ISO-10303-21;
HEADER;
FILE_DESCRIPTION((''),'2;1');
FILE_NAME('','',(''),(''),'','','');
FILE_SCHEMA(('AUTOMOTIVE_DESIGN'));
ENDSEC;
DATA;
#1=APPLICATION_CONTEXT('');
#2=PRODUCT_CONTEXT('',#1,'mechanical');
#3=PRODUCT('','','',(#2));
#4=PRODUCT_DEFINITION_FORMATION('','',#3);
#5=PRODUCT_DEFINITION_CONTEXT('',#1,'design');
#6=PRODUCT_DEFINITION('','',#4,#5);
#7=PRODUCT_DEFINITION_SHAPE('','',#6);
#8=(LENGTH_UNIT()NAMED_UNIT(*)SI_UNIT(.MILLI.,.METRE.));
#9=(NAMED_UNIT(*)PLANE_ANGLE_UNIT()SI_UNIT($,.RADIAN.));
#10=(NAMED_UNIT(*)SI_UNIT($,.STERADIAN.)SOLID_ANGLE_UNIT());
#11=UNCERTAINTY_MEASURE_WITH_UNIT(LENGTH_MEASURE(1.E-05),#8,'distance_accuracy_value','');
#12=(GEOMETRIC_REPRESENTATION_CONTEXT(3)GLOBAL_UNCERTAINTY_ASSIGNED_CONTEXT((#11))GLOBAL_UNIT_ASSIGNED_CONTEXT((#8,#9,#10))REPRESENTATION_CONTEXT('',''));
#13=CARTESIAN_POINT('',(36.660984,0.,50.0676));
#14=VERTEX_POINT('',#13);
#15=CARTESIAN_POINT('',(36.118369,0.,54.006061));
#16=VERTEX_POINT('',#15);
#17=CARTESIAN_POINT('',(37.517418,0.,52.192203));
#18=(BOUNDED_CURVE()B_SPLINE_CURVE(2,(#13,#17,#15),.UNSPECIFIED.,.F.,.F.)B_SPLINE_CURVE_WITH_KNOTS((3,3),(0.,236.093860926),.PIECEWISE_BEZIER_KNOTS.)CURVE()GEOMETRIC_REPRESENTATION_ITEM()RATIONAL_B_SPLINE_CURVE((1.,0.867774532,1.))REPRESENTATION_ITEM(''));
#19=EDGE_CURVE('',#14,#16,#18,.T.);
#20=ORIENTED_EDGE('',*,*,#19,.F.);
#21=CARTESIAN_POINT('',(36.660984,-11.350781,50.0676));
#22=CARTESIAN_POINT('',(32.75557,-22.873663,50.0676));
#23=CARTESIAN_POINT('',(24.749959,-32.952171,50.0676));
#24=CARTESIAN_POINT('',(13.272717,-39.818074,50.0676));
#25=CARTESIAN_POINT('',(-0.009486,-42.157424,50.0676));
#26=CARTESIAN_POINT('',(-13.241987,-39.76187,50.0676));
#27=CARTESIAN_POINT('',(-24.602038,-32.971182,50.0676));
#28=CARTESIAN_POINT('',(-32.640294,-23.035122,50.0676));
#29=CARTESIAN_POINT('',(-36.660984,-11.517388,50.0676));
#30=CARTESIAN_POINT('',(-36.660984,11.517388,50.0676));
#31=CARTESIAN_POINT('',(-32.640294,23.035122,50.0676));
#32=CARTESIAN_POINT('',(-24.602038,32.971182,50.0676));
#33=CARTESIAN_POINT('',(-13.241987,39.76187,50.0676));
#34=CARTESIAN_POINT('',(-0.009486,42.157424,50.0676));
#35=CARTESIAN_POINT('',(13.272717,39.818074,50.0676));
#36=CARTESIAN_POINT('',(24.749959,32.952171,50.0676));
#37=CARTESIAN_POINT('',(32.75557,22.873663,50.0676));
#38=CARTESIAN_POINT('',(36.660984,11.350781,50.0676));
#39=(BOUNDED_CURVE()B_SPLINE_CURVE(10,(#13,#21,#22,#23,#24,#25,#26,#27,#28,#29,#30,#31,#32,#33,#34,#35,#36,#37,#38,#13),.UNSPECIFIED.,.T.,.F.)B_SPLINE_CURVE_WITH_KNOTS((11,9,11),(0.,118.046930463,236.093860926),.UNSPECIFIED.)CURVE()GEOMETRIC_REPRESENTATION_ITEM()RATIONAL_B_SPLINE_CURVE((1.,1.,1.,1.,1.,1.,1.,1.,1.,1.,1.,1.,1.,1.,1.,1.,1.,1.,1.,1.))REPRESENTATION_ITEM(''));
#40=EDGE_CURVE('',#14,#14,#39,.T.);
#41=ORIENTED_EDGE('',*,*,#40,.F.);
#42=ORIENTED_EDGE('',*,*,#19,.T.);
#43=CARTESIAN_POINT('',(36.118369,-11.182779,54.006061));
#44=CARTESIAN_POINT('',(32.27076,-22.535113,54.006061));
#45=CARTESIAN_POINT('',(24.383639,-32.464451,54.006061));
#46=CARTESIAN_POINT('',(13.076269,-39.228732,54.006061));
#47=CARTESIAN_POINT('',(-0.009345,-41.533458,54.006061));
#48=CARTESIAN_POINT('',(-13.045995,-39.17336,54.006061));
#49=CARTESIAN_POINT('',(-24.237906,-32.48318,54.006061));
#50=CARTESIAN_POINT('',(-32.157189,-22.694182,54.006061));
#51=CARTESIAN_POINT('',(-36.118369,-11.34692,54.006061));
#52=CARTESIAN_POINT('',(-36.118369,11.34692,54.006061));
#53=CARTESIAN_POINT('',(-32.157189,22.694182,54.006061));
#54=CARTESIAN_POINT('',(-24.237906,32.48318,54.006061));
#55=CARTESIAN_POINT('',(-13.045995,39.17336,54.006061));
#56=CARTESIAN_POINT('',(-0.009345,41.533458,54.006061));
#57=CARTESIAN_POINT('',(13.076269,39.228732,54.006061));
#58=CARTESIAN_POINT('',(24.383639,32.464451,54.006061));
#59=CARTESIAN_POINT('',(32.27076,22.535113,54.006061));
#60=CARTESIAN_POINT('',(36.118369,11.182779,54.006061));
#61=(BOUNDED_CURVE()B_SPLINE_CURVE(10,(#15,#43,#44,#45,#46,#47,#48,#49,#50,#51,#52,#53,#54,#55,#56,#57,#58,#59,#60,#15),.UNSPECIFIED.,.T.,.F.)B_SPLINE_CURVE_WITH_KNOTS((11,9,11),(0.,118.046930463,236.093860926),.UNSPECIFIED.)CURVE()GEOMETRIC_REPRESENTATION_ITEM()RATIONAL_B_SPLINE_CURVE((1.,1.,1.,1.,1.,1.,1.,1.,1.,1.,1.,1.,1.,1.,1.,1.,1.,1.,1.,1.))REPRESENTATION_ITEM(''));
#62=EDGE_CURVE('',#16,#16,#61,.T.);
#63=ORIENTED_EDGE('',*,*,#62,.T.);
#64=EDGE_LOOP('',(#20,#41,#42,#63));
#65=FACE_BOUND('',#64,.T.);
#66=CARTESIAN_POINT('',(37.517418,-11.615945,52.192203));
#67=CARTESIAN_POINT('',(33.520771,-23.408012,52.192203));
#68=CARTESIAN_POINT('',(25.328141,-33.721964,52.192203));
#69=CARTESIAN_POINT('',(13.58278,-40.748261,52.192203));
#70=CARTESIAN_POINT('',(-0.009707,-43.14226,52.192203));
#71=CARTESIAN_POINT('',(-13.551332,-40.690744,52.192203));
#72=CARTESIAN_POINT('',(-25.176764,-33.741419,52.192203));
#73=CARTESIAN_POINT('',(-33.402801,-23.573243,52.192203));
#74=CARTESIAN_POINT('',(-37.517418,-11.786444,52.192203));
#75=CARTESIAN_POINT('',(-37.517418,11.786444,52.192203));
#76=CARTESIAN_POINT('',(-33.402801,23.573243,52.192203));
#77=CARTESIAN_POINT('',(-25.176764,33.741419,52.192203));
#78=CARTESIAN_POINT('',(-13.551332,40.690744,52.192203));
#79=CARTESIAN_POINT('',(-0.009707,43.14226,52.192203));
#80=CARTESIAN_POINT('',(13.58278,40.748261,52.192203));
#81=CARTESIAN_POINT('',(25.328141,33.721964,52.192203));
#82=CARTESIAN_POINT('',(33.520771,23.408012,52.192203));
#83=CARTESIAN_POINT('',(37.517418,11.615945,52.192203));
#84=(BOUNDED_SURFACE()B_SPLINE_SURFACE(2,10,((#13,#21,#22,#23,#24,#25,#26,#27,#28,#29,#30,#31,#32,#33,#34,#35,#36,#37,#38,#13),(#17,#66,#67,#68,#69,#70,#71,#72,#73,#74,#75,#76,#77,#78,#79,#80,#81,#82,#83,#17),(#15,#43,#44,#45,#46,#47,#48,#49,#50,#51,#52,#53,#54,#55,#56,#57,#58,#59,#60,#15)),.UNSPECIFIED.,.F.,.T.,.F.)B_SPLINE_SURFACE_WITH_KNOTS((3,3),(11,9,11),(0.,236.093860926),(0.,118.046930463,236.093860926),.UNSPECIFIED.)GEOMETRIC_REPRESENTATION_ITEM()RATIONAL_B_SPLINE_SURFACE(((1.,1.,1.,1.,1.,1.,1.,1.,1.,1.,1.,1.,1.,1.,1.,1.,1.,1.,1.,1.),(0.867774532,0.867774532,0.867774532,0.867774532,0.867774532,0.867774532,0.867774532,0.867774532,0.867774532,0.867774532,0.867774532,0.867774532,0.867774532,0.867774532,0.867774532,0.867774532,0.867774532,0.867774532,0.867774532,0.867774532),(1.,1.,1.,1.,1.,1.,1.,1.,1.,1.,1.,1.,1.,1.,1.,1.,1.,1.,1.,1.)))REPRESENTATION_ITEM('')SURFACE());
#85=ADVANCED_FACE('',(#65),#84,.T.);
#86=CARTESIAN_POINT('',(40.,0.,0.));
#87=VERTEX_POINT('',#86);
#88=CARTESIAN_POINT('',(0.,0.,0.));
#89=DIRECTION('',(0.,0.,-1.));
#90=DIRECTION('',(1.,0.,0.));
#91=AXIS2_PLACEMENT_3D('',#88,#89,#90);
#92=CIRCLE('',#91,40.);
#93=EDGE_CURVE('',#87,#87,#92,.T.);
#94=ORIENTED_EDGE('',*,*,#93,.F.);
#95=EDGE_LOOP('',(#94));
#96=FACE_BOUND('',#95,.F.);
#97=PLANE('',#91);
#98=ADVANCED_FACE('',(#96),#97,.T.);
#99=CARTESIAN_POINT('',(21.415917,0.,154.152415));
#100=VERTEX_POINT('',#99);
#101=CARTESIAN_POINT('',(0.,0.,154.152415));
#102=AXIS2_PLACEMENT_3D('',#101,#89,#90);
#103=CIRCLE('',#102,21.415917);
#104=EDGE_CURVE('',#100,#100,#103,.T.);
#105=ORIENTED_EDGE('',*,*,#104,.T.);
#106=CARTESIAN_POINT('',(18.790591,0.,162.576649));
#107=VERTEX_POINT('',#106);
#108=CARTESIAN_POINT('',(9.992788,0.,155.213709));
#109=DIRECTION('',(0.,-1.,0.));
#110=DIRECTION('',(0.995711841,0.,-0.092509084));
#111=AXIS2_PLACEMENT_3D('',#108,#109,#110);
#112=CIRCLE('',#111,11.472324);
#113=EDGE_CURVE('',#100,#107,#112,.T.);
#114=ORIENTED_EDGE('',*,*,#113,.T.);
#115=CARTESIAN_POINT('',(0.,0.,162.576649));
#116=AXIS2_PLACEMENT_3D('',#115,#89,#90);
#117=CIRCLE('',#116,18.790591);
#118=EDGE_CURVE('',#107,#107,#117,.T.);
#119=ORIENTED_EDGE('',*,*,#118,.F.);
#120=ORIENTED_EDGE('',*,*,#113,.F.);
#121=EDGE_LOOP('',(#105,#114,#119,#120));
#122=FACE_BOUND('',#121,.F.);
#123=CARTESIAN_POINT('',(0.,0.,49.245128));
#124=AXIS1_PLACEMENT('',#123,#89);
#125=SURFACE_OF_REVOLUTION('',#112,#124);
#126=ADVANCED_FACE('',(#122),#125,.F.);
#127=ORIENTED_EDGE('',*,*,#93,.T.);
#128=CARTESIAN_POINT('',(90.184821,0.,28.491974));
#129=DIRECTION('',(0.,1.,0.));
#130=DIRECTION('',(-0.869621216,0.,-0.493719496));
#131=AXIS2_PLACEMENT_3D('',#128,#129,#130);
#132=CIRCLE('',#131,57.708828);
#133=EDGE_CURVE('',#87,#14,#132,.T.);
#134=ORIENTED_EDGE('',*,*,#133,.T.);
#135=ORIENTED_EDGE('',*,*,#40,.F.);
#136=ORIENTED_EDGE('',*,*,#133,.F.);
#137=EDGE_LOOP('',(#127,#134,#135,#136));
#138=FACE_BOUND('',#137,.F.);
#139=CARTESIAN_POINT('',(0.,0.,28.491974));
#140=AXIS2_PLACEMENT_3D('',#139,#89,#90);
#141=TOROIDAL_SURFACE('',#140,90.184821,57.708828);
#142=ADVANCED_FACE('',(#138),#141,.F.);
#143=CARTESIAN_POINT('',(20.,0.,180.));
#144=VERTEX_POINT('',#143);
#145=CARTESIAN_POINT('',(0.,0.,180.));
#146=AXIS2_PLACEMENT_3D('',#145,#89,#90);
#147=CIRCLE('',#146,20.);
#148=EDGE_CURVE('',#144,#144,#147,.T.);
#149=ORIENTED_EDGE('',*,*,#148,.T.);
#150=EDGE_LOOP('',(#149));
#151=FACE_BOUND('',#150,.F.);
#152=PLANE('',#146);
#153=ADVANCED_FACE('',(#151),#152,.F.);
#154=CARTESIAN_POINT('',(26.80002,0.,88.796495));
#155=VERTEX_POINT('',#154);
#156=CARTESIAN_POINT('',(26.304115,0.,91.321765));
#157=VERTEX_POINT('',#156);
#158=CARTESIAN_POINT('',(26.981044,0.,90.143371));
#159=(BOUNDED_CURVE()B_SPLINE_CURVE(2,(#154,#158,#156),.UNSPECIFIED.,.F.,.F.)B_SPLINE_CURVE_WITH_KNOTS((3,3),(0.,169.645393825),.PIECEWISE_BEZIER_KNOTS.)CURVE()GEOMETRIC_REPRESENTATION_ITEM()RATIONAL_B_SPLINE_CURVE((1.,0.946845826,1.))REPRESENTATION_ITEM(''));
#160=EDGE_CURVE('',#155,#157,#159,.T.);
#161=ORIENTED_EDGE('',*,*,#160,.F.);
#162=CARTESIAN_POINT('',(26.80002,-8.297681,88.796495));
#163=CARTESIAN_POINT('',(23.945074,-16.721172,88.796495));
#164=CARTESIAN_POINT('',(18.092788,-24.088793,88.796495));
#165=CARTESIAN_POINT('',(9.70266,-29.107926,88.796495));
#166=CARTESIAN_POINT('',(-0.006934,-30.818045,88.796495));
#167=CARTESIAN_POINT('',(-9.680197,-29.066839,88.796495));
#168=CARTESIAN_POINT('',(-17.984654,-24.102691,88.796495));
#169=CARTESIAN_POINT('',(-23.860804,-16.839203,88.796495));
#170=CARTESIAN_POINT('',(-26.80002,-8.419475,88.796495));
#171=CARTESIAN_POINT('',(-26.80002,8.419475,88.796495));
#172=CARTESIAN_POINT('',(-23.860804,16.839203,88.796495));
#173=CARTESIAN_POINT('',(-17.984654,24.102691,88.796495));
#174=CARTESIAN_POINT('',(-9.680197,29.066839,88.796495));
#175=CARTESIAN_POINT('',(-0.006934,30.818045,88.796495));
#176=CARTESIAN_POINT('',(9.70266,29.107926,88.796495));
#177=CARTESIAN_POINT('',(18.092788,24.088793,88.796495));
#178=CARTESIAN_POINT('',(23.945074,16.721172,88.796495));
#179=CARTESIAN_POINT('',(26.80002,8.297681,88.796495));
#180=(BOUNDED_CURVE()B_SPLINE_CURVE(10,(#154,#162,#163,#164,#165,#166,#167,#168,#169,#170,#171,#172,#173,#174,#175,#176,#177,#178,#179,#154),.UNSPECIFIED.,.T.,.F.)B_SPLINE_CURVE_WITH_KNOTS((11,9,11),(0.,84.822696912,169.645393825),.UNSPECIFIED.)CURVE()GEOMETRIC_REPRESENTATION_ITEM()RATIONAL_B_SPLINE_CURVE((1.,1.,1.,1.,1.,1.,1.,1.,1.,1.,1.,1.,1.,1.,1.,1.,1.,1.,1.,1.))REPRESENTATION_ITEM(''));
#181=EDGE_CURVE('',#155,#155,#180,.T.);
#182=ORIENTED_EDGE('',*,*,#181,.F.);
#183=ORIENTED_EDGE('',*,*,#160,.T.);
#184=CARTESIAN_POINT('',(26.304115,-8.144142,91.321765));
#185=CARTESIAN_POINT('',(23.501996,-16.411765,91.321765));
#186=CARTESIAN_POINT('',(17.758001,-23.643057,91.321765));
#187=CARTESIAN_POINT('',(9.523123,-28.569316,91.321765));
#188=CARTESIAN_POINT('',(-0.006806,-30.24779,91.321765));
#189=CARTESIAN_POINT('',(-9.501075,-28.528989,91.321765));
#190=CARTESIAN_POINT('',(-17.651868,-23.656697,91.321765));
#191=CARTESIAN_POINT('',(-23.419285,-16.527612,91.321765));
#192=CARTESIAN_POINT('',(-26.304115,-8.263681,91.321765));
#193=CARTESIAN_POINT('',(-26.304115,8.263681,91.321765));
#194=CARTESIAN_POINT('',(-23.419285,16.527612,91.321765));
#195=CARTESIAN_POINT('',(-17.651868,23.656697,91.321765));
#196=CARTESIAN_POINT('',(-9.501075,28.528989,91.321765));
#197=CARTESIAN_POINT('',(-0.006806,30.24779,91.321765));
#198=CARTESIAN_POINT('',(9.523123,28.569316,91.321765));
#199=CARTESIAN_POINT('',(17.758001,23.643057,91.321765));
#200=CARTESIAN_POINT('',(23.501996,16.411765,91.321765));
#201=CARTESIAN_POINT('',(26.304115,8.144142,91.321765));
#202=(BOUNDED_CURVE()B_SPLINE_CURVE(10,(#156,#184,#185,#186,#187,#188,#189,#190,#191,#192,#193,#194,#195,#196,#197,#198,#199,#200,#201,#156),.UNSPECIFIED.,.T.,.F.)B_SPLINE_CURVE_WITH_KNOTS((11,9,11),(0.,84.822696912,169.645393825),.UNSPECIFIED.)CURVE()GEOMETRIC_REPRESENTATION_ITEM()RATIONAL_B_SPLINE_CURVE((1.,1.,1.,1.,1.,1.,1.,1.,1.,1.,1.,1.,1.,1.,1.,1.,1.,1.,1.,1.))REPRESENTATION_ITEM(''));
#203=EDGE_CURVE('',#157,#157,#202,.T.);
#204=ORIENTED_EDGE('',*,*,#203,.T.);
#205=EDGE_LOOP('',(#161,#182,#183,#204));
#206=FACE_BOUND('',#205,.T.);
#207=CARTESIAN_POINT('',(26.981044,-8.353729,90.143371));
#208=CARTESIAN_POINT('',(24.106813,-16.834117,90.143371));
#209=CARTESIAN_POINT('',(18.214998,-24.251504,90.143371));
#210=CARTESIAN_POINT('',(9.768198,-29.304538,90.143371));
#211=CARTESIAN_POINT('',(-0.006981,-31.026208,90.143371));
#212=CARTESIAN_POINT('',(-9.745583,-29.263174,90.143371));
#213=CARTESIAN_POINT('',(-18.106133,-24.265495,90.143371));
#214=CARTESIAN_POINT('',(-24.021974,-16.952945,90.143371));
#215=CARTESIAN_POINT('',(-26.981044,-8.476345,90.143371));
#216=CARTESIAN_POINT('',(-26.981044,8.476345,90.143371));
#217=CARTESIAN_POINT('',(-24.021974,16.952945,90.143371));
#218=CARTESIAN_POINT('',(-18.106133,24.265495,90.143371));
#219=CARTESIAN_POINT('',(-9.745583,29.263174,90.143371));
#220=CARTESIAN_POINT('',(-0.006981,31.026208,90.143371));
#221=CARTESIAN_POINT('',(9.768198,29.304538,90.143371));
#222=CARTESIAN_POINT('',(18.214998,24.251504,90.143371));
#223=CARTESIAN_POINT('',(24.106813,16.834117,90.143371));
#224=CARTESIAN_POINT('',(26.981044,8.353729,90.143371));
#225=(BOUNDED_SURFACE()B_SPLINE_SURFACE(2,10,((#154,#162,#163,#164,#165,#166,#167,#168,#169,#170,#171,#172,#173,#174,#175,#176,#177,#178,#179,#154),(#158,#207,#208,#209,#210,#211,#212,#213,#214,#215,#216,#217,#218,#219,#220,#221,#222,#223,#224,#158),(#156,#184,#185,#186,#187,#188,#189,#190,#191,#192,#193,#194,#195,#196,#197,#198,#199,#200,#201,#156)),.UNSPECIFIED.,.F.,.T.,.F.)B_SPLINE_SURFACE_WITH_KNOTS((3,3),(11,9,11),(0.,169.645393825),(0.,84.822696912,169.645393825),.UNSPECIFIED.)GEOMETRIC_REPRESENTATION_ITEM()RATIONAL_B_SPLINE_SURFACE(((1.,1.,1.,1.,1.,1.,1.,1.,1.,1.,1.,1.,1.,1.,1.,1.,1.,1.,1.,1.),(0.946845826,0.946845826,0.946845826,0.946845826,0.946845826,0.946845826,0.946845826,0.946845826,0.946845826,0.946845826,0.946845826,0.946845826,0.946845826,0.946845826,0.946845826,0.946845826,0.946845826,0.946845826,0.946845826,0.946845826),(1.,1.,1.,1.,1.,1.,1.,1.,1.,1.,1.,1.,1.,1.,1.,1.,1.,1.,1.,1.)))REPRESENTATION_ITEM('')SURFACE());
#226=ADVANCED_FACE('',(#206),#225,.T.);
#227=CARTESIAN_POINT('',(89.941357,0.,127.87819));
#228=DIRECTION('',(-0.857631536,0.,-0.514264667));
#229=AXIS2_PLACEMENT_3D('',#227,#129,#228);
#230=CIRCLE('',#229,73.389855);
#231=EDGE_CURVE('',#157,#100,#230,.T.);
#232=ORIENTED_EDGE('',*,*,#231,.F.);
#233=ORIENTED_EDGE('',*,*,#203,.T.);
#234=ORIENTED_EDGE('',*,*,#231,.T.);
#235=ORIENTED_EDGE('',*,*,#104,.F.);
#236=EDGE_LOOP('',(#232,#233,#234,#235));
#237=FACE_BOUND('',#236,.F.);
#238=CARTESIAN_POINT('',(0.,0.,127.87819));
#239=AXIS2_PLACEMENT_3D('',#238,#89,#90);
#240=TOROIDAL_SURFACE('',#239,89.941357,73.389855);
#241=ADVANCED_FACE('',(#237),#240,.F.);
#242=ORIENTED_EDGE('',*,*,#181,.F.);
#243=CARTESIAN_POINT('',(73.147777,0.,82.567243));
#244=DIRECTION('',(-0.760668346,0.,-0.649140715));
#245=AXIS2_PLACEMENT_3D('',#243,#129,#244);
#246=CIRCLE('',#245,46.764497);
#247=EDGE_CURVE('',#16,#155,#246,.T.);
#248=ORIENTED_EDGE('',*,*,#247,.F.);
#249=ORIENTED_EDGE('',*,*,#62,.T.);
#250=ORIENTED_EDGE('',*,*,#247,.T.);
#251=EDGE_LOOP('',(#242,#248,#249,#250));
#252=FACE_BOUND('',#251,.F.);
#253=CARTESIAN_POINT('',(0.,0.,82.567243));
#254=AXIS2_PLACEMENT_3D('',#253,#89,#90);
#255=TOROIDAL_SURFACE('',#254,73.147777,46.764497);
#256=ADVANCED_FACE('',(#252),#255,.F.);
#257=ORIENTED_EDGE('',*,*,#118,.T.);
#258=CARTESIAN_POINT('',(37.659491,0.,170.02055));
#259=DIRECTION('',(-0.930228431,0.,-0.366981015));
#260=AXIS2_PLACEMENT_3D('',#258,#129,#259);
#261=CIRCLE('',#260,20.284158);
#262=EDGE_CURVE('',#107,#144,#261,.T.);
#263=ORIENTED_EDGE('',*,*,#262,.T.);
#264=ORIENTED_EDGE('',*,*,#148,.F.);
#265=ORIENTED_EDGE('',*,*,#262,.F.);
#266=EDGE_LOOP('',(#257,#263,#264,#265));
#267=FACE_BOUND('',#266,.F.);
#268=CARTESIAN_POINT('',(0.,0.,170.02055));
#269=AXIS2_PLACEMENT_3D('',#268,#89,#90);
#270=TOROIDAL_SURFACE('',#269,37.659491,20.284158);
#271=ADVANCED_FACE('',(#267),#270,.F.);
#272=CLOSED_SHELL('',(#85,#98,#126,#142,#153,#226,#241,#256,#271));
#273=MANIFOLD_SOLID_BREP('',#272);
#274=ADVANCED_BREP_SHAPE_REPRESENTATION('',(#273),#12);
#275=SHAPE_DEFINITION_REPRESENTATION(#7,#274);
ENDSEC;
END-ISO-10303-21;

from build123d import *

# Parameters (mm, degrees)
F2_R = 4


with BuildPart() as f1:
    # F0 (on Front) → F1 (revolve)
    with BuildSketch(Plane.XZ):
        with BuildLine():
            Line((0, 180), (0, 0))
            Line((0, 0), (40, 0))
            ThreePointArc((40, 0), (32.538114, 25.815038), (37.575505, 52.210504))
            ThreePointArc((37.575505, 52.210504), (28.101816, 70.006211), (26.999903, 90.136381))
            ThreePointArc((26.999903, 90.136381), (16.82912, 121.500761), (21.415917, 154.152415))
            ThreePointArc((21.415917, 154.152415), (20.945571, 158.627031), (18.790591, 162.576649))
            ThreePointArc((18.790591, 162.576649), (17.424024, 171.425157), (20, 180))
            Line((20, 180), (0, 180))
        make_face()
    revolve(axis=Axis((0, 0, 49.245128), (0, 0, -1)))

    # F2
    f2_edges = [f1.edges().sort_by_distance(p)[0] for p in [
        (-37.575505, 0, 52.210504),
        (-26.999903, 0, 90.136381),
    ]]
    fillet(f2_edges, radius=F2_R)


solid = f1.part
